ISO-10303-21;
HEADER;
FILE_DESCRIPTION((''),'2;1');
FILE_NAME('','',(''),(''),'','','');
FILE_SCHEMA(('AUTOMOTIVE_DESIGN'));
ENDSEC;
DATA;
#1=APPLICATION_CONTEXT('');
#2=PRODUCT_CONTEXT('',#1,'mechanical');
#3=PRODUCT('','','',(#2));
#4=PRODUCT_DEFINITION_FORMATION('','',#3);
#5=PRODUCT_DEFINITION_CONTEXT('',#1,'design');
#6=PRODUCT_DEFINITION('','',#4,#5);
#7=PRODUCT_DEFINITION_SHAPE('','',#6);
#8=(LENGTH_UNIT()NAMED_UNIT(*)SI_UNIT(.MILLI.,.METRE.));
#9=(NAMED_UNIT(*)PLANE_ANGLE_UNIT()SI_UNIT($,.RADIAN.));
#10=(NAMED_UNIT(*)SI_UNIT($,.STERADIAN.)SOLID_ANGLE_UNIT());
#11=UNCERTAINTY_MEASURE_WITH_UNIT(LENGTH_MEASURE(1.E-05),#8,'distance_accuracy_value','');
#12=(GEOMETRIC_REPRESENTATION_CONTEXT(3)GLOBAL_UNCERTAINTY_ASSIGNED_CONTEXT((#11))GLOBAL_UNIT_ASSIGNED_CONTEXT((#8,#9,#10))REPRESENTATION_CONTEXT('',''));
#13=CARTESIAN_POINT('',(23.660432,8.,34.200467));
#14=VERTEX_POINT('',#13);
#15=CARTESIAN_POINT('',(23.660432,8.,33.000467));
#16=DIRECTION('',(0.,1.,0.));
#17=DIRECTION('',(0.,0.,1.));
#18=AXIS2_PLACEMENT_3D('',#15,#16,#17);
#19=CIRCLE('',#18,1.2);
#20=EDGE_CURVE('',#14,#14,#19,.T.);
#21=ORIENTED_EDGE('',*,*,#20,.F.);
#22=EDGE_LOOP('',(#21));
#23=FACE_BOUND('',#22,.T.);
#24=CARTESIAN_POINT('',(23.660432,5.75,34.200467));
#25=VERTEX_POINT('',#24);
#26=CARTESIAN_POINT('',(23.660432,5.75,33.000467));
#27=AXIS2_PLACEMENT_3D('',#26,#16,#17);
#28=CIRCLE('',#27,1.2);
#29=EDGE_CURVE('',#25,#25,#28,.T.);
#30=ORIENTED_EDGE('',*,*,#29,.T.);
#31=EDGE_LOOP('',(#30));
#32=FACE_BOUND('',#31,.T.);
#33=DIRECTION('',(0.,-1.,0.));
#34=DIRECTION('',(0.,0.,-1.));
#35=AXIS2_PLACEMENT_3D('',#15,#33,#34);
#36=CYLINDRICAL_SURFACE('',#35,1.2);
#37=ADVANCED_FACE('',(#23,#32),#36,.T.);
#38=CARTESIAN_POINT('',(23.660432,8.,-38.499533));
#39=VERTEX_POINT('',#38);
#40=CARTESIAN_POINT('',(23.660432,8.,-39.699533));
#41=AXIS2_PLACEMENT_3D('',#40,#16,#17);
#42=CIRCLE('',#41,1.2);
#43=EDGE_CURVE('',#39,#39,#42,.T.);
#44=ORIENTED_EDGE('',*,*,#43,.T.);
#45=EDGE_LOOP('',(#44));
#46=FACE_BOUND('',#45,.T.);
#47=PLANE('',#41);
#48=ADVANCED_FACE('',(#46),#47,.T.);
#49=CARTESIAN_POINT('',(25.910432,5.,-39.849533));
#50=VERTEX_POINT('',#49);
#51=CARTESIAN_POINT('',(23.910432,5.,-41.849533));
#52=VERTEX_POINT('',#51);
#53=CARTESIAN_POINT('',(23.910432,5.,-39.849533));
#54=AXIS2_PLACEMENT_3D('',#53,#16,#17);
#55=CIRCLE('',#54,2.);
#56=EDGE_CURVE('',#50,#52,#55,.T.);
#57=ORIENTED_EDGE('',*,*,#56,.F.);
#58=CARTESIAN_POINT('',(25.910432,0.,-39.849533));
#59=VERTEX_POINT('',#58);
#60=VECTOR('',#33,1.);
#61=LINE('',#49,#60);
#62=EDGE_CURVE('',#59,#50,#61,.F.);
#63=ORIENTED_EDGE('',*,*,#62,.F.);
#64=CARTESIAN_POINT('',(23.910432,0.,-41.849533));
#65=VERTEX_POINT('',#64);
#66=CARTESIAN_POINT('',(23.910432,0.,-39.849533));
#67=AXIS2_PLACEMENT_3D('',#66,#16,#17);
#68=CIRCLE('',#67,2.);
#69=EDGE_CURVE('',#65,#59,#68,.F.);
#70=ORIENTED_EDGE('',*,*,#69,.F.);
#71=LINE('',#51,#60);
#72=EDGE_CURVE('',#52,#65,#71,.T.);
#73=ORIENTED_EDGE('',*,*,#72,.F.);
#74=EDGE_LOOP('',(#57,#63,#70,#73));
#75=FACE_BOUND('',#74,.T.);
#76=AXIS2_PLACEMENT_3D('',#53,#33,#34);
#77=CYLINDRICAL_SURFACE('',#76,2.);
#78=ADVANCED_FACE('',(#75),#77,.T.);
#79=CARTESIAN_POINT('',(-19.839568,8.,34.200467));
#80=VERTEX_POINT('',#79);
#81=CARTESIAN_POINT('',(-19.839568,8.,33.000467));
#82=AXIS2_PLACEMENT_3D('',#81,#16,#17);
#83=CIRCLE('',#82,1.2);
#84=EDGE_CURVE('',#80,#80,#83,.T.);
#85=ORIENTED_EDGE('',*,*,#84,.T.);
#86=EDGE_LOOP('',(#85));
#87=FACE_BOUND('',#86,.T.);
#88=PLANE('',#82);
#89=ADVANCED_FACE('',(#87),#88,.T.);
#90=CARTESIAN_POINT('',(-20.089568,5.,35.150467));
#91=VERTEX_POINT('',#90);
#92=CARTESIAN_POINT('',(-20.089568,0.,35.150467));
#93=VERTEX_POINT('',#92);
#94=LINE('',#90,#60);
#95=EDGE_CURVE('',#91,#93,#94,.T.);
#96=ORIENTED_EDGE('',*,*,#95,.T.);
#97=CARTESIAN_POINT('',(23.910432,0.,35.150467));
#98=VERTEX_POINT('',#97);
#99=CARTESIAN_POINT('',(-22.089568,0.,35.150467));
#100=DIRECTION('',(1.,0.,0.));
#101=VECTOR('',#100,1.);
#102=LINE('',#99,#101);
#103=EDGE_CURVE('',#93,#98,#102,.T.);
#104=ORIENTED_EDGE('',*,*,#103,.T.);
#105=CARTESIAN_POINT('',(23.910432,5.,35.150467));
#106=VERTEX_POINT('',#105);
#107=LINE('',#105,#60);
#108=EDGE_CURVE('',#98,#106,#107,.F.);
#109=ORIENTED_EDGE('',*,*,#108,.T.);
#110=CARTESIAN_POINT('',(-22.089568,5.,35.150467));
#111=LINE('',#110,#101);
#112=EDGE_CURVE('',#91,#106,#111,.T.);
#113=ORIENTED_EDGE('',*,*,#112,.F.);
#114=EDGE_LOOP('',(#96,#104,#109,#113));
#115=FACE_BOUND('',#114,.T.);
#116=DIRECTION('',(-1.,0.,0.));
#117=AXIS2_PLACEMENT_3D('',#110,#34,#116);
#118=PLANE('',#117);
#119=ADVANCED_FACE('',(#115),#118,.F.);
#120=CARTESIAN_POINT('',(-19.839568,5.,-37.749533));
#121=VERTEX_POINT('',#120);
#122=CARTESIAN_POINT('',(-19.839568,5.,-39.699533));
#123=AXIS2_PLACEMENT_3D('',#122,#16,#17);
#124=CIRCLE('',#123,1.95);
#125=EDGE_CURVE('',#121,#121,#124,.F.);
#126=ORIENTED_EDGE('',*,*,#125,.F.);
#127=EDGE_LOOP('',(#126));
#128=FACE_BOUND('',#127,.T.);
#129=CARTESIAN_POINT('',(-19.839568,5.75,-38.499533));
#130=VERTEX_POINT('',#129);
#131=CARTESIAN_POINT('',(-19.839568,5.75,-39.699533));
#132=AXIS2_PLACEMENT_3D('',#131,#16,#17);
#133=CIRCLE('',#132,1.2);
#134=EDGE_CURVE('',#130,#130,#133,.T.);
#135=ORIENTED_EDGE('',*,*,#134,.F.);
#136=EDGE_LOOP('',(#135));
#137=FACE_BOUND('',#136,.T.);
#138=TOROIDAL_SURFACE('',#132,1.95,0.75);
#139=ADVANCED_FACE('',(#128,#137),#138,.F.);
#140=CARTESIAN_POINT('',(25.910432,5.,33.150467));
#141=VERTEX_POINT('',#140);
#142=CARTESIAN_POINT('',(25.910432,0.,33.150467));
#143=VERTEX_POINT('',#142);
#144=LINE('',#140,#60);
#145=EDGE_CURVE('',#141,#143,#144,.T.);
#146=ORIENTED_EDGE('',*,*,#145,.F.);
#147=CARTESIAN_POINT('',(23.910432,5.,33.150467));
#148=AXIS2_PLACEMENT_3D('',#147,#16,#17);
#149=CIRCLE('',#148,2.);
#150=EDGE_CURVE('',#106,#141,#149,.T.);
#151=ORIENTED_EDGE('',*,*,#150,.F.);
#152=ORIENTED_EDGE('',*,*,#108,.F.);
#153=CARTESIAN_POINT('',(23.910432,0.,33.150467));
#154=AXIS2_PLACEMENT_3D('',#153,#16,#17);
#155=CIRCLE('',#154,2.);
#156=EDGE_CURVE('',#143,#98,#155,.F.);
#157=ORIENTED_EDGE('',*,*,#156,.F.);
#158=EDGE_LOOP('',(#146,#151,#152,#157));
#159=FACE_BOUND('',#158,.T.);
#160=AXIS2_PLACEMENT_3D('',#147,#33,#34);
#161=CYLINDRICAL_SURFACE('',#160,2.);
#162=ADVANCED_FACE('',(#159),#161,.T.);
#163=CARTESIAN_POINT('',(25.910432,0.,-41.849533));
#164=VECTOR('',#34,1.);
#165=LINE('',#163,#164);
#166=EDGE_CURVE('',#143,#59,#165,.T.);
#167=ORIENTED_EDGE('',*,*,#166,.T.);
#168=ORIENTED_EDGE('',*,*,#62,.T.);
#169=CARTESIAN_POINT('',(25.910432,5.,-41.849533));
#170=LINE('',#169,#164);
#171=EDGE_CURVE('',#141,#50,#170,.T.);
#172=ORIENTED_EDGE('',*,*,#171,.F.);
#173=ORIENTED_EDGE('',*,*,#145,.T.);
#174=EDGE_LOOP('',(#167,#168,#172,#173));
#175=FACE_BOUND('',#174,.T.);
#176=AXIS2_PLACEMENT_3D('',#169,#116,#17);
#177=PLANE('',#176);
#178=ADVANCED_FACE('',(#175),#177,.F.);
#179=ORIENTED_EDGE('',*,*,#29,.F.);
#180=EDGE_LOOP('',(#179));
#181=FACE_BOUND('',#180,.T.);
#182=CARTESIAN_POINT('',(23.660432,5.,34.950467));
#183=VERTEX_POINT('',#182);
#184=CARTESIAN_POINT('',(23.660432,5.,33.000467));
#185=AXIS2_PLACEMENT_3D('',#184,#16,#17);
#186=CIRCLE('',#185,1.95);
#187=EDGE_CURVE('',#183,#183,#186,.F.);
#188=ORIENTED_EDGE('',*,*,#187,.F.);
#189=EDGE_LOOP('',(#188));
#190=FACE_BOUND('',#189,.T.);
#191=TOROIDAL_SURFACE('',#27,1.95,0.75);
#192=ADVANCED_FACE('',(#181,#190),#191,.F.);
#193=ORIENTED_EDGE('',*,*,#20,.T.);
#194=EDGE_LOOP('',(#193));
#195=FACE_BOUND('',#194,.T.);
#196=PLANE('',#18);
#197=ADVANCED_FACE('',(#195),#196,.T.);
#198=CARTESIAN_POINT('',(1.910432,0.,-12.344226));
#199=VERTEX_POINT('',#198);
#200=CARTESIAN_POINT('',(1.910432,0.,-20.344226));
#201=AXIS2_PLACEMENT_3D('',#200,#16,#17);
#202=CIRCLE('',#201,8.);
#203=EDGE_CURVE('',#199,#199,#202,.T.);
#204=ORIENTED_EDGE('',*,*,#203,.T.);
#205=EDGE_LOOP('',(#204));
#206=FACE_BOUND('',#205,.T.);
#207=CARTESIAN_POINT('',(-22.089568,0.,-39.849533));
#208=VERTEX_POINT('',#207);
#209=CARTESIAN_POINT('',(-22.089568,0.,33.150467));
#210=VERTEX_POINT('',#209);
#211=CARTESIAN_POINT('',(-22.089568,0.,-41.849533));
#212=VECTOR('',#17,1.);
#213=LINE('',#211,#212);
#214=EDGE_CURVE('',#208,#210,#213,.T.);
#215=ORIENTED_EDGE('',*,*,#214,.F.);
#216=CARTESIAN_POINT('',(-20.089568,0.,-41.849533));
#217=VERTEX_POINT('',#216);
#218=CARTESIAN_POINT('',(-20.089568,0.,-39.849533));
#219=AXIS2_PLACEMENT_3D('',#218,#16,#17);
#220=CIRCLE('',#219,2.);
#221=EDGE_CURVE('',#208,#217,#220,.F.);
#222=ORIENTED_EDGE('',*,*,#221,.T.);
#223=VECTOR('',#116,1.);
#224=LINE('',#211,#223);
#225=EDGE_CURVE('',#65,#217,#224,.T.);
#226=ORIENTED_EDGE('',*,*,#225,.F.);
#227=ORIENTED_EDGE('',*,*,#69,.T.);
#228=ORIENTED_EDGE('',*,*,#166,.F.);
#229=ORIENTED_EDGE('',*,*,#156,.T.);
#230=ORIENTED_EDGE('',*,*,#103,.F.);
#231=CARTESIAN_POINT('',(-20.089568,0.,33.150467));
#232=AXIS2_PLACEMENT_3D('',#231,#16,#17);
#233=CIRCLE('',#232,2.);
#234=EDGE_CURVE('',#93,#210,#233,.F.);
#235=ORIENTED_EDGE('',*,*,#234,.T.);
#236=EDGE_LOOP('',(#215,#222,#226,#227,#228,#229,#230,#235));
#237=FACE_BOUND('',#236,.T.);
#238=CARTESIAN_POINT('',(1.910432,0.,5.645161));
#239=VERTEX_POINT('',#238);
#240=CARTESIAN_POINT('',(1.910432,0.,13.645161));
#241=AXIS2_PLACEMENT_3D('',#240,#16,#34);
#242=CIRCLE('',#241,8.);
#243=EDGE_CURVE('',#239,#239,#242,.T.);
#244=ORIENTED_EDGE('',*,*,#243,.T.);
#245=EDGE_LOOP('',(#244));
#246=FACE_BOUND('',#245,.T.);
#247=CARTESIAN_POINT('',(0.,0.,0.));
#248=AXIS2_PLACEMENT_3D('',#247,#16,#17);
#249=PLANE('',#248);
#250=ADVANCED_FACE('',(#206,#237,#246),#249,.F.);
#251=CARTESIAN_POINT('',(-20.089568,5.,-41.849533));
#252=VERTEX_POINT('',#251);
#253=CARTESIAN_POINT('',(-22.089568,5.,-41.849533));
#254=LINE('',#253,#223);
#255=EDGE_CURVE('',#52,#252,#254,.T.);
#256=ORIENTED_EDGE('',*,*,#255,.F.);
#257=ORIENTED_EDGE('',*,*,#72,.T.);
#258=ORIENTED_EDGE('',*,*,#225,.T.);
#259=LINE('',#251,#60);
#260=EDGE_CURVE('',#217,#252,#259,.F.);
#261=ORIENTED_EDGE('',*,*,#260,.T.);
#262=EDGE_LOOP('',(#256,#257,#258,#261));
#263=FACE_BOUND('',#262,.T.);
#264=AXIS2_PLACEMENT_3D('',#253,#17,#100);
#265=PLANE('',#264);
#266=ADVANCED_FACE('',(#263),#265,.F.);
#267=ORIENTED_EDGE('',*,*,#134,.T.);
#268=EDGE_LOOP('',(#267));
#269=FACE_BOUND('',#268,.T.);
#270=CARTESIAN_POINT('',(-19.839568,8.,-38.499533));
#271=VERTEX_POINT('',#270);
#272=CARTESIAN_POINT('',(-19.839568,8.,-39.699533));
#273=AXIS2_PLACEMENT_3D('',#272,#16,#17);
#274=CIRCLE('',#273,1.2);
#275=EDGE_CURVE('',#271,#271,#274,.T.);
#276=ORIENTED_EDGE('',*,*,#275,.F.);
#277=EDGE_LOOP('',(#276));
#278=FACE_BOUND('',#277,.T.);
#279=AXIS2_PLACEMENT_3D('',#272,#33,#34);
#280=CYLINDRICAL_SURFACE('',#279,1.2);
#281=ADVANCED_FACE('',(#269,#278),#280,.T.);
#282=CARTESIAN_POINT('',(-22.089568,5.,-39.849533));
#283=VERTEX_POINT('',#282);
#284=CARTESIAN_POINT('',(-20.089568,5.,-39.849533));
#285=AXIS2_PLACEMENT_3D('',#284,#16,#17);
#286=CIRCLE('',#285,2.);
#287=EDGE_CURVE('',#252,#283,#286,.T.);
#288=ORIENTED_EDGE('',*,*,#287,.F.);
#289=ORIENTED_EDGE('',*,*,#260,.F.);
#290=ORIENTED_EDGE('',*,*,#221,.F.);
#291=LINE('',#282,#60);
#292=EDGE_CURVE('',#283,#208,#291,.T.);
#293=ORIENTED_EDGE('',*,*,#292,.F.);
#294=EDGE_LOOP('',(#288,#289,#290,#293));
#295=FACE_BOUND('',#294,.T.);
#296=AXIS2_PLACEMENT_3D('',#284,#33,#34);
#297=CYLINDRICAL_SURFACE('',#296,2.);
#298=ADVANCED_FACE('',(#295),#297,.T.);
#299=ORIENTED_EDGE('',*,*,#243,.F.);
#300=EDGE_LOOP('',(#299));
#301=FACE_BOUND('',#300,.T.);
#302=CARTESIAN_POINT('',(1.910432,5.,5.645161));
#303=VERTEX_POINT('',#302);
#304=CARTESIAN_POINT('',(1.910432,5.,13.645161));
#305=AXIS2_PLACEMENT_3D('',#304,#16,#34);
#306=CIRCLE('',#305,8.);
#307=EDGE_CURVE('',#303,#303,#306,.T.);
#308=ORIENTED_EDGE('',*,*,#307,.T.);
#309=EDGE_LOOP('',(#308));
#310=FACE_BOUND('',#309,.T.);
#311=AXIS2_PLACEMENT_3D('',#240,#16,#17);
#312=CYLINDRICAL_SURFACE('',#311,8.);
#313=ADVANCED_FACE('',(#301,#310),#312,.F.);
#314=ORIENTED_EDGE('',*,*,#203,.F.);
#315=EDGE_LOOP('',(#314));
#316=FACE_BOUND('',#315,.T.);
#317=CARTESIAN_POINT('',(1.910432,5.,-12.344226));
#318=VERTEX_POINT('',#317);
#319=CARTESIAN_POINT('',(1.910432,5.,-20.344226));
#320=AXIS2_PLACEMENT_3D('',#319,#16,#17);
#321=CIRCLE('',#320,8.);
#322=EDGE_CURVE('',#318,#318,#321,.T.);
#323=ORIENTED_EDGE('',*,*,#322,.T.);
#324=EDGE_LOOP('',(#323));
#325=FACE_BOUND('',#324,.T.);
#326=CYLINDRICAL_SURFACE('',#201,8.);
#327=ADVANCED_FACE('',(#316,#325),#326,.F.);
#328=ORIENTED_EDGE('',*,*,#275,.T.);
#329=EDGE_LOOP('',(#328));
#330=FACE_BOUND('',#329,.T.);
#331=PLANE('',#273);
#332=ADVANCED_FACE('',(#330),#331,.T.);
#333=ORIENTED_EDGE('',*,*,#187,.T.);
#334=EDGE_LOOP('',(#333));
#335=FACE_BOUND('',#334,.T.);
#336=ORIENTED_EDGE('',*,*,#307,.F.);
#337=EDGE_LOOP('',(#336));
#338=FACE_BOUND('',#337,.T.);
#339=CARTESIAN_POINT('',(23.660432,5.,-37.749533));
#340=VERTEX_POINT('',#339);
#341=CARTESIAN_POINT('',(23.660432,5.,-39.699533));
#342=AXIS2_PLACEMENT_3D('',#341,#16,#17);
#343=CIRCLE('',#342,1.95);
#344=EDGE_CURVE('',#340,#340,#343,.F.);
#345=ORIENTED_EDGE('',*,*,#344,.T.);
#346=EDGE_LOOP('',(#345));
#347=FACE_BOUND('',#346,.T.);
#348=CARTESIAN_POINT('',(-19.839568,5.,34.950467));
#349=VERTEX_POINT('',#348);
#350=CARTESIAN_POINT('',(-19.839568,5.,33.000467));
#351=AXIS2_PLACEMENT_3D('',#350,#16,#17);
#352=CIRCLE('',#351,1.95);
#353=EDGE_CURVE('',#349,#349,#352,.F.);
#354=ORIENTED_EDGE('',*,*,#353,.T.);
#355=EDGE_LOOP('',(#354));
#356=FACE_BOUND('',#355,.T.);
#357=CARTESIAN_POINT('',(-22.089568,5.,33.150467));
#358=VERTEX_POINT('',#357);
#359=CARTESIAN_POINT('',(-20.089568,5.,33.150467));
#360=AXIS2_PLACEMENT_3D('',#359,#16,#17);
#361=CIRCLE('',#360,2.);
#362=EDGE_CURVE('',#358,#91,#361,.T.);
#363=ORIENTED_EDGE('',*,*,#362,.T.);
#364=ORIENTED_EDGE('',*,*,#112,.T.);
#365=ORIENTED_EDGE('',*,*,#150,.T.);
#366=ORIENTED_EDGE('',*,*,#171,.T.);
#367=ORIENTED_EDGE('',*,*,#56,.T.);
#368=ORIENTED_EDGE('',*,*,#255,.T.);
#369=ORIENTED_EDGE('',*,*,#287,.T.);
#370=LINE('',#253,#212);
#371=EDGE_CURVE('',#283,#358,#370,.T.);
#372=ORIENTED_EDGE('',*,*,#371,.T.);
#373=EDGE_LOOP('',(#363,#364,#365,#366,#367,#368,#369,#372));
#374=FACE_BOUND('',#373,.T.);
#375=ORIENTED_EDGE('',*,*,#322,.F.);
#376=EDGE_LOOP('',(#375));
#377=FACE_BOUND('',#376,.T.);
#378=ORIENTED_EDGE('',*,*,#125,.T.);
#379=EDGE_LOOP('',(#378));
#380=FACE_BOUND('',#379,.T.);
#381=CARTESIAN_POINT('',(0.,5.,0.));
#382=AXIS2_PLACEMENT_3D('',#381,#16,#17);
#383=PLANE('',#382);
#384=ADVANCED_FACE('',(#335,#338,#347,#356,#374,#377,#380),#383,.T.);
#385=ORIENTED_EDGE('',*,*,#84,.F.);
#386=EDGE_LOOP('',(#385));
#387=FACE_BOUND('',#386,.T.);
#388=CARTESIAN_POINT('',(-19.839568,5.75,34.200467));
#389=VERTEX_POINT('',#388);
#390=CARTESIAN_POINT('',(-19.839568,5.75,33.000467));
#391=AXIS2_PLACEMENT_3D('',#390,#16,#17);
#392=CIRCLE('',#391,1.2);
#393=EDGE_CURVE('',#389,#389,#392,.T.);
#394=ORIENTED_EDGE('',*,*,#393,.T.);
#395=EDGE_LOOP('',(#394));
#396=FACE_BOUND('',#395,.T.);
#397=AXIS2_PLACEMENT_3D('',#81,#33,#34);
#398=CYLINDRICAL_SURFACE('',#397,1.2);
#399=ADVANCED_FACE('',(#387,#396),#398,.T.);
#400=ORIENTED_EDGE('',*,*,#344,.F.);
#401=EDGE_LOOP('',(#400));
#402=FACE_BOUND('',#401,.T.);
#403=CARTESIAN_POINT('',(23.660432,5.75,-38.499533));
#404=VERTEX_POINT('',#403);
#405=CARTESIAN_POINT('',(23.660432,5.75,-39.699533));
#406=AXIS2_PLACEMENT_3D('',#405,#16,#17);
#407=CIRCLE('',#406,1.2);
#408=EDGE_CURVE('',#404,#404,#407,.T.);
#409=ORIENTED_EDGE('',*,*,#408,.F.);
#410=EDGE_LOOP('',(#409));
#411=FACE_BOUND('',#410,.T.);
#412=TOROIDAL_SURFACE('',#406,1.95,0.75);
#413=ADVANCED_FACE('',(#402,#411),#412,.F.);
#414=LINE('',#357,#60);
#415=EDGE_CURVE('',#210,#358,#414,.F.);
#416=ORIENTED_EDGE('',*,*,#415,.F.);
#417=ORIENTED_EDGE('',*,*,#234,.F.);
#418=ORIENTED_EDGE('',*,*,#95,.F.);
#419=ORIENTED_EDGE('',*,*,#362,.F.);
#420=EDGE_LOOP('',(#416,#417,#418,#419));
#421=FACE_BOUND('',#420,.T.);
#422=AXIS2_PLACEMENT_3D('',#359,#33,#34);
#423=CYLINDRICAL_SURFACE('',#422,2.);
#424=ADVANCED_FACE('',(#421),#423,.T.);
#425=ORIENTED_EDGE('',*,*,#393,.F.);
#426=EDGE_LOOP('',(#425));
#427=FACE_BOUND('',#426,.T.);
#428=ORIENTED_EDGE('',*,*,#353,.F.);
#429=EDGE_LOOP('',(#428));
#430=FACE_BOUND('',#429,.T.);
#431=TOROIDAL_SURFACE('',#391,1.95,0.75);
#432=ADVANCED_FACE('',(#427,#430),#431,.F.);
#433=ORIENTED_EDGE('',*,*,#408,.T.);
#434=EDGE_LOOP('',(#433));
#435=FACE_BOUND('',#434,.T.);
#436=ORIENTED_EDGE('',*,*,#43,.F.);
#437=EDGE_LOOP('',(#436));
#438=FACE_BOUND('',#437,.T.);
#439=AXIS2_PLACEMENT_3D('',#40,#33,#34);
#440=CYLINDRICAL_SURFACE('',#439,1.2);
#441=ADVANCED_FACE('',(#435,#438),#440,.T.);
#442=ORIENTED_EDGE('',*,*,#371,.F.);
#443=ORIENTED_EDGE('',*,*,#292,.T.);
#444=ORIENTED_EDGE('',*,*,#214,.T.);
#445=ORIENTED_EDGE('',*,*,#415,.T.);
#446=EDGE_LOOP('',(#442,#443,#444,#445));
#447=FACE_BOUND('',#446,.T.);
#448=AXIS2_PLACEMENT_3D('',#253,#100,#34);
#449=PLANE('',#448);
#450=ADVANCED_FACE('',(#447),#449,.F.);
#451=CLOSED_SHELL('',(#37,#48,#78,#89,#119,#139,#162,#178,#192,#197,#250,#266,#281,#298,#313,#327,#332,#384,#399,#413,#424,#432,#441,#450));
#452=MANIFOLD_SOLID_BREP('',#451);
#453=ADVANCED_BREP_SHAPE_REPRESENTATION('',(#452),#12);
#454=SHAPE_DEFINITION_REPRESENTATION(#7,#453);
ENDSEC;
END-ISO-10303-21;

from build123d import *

# Parameters (mm, degrees)
SKETCH1_W           = 48
SKETCH1_H           = 77
BOSS_EXTRUDE1_DEPTH = 5
SKETCH2_R           = 1.2
BOSS_EXTRUDE2_DEPTH = 3
FILLET1_R           = 0.75
FILLET2_R           = 2
SKETCH3_R           = 8
CUT_EXTRUDE1_DEPTH  = 6


with BuildPart() as part:
    # Sketch1 → Boss-Extrude1 (new body)
    with BuildSketch(Plane(origin=(0, 0, 0), x_dir=(1, 0, 0), z_dir=(0, 1, 0))):
        with Locations((1.910432331, 3.349532818)):
            Rectangle(SKETCH1_W, SKETCH1_H)
    extrude(amount=BOSS_EXTRUDE1_DEPTH)

    # Sketch2 → Boss-Extrude2 (add)
    with BuildSketch(Plane(origin=(0, 5, 0), x_dir=(1, 0, 0), z_dir=(0, 1, 0))):
        with Locations((-19.839567669, 39.699532818)):
            Circle(SKETCH2_R)
        with Locations((23.660432331, 39.699532818)):
            Circle(SKETCH2_R)
        with Locations((23.660432331, -33.000467182)):
            Circle(SKETCH2_R)
        with Locations((-19.839567669, -33.000467182)):
            Circle(SKETCH2_R)
    extrude(amount=BOSS_EXTRUDE2_DEPTH)

    # Fillet1
    fillet1_edges = [part.edges().sort_by_distance(p)[0] for p in [
        (-21.039567669, 5, -39.699532818),
        (22.460432331, 5, -39.699532818),
        (22.460432331, 5, 33.000467182),
        (-21.039567669, 5, 33.000467182),
    ]]
    fillet(fillet1_edges, radius=FILLET1_R)

    # Fillet2
    fillet2_edges = [part.edges().sort_by_distance(p)[0] for p in [
        (-22.089567669, 2.5, -41.849532818),
        (25.910432331, 2.5, -41.849532818),
        (25.910432331, 2.5, 35.150467182),
        (-22.089567669, 2.5, 35.150467182),
    ]]
    fillet(fillet2_edges, radius=FILLET2_R)

    # Sketch3 → Cut-Extrude1 (cut, through all)
    with BuildSketch(Plane(origin=(0, 5, 0), x_dir=(1, 0, 0), z_dir=(0, 1, 0))):
        with Locations((1.910432331, 20.344226446)):
            Circle(SKETCH3_R)
        with Locations((1.910432331, -13.645160811)):
            Circle(SKETCH3_R)
    extrude(amount=-CUT_EXTRUDE1_DEPTH, mode=Mode.SUBTRACT)


solid = part.part
